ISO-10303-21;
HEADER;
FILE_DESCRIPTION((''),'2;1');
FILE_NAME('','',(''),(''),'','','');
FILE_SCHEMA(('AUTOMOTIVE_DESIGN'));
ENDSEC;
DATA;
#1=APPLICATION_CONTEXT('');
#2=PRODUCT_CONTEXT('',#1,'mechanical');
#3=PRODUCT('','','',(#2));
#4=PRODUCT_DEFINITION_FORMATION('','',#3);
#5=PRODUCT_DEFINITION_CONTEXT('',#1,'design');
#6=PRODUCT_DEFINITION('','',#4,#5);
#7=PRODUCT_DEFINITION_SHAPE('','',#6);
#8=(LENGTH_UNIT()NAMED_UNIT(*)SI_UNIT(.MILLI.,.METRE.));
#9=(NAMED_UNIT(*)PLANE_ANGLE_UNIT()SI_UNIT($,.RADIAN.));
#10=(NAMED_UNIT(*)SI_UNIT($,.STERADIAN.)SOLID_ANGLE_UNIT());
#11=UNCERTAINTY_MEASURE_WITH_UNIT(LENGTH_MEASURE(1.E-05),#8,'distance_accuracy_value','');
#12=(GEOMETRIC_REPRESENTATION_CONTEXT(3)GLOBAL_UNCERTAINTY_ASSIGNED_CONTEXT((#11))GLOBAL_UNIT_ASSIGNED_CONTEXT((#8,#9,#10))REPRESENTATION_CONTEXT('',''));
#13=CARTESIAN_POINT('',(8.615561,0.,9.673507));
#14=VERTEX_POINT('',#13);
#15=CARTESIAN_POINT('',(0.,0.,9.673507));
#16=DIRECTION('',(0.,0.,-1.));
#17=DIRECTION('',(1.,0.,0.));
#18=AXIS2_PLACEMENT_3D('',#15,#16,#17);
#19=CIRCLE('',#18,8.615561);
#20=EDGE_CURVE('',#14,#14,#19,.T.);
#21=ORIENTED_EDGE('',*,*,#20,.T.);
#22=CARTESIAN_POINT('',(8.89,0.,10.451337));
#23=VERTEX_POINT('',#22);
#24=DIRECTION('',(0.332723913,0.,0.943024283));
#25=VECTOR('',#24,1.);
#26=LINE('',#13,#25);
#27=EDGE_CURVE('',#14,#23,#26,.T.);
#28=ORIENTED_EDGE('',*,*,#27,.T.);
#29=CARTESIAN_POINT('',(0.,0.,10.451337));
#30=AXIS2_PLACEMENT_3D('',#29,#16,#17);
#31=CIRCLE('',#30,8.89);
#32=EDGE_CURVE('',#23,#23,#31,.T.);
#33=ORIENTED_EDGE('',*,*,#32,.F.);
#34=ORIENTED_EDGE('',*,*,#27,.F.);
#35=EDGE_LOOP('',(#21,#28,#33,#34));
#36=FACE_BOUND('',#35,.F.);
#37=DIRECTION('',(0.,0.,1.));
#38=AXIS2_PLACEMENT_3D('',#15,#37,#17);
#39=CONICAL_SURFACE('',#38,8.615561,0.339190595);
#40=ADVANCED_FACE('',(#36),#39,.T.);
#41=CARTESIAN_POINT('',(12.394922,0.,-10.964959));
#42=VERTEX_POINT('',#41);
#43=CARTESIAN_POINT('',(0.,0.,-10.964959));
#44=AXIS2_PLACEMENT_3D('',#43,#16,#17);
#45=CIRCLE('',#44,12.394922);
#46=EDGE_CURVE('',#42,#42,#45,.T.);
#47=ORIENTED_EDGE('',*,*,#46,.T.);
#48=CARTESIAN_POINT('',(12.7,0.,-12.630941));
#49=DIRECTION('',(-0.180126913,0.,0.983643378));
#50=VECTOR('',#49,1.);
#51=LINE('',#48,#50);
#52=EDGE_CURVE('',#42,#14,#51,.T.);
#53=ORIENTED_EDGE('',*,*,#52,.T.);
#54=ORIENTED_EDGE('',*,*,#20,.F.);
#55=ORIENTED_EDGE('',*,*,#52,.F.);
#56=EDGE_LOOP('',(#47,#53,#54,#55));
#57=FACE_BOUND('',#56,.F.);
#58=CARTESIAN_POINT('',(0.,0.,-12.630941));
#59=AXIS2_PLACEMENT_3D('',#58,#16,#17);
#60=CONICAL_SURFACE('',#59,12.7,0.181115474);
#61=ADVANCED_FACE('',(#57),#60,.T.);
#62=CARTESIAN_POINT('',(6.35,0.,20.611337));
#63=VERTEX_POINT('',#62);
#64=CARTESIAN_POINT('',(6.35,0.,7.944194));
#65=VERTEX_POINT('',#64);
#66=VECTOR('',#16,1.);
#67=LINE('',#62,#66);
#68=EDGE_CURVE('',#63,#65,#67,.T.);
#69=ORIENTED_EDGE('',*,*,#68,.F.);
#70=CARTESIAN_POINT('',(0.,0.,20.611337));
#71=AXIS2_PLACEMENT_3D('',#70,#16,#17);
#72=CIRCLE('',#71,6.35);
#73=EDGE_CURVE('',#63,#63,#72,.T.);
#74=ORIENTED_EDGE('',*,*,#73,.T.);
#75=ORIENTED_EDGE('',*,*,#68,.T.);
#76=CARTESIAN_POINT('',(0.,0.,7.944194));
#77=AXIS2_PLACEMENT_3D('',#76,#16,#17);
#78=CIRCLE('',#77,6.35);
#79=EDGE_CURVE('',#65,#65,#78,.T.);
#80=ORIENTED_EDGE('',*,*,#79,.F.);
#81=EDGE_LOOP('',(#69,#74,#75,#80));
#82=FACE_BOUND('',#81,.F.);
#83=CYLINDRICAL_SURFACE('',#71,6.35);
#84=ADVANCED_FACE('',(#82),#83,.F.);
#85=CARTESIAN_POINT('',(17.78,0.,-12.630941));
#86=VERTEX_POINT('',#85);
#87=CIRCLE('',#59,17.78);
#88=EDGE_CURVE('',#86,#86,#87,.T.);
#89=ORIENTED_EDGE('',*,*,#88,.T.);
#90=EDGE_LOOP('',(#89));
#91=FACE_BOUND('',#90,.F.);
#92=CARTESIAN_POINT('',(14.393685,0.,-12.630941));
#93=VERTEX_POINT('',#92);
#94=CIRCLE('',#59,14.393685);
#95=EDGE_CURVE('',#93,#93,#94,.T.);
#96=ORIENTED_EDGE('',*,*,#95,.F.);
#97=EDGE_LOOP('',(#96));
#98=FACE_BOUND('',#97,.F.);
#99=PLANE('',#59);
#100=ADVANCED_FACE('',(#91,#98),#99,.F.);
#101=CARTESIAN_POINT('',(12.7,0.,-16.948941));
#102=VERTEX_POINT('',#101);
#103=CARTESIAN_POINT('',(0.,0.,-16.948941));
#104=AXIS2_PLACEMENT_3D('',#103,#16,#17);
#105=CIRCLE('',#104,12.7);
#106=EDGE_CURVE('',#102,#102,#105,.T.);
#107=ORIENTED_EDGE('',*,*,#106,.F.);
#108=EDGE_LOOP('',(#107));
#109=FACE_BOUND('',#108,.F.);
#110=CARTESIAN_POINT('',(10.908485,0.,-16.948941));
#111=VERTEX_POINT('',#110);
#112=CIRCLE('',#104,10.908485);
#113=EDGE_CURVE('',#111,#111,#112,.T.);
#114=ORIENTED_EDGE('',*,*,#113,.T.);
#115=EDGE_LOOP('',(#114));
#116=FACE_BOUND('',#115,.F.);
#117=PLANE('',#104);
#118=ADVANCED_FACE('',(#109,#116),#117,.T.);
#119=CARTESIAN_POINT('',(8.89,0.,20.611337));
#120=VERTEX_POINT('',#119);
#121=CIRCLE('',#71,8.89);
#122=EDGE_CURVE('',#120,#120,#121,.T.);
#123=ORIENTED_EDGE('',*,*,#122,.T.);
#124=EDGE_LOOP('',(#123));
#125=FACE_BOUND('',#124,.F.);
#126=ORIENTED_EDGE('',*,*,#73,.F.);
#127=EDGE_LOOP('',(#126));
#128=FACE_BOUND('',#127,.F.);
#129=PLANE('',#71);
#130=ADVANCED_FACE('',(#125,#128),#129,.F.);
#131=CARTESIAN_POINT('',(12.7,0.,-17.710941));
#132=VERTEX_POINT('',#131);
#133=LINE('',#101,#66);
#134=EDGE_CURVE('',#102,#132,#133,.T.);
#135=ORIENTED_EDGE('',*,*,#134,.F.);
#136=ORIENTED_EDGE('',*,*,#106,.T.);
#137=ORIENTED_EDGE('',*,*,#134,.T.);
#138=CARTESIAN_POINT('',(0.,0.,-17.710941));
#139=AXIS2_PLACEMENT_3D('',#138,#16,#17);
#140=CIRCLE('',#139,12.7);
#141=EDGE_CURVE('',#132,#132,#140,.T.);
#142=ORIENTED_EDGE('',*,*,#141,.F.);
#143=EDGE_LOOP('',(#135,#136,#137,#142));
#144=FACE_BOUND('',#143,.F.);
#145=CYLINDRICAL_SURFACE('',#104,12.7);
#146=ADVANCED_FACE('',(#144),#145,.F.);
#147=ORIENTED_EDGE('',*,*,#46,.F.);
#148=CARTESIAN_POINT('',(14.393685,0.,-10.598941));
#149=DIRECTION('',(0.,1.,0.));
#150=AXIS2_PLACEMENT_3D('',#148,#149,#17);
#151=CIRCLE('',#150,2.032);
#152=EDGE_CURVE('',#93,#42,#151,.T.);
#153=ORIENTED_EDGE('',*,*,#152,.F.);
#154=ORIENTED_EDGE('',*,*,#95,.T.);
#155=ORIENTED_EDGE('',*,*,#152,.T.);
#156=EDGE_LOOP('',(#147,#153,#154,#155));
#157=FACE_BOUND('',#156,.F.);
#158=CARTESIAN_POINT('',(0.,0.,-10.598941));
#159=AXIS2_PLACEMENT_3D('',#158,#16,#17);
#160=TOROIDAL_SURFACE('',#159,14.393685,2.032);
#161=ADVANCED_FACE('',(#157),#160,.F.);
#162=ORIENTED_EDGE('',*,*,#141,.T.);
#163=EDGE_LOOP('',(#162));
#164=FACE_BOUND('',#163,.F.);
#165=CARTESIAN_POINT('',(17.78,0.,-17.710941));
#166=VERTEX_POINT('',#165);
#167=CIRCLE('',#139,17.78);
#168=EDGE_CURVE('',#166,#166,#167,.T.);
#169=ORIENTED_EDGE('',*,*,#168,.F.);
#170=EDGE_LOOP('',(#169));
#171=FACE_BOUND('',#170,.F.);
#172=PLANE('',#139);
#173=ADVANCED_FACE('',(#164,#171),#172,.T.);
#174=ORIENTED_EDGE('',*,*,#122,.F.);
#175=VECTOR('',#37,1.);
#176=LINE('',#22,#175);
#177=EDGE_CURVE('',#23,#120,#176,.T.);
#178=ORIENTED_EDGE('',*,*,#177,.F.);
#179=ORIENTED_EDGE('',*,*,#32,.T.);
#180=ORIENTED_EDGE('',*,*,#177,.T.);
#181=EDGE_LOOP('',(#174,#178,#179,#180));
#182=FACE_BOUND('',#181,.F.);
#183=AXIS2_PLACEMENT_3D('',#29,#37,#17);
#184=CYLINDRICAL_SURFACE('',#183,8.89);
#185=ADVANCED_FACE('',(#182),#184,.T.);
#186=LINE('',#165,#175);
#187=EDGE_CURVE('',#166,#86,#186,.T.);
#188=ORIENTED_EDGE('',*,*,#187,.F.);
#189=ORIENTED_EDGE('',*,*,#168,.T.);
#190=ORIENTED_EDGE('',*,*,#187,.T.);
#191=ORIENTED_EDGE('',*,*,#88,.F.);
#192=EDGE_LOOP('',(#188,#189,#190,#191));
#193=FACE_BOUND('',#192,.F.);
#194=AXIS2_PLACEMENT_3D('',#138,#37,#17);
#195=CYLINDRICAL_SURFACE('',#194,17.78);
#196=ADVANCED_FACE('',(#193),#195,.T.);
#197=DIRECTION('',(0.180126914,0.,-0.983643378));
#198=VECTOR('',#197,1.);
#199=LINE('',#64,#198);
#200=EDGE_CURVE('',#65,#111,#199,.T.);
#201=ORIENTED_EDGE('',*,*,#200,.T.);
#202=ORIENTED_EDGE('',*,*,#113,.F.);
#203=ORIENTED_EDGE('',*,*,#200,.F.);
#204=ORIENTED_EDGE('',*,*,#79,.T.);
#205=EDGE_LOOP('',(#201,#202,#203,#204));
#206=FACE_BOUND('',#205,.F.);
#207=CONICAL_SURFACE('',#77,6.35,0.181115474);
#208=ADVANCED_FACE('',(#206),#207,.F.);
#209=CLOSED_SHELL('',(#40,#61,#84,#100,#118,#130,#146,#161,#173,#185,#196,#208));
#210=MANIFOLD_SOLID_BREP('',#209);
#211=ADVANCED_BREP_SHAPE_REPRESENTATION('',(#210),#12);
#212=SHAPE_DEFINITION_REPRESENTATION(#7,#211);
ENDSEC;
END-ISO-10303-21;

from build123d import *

# Parameters (mm, degrees)
F2_R = 2.032


with BuildPart() as f1:
    # F0 (on Front) → F1 (revolve)
    with BuildSketch(Plane.XZ):
        Polygon((12.7, -16.948941), (12.7, -17.710941), (17.78, -17.710941), (17.78, -12.630941), (12.7, -12.630941), (8.615561, 9.673507), (8.89, 10.451337), (8.89, 20.611337), (6.35, 20.611337), (6.35, 7.944194), (10.908485, -16.948941), align=None)
    revolve(axis=Axis((0, 0, -1.983079), (0, 0, -1)))

    # F2
    f2_edges = [f1.edges().sort_by_distance(p)[0] for p in [
        (-12.7, 0, -12.630941),
    ]]
    fillet(f2_edges, radius=F2_R)


solid = f1.part
